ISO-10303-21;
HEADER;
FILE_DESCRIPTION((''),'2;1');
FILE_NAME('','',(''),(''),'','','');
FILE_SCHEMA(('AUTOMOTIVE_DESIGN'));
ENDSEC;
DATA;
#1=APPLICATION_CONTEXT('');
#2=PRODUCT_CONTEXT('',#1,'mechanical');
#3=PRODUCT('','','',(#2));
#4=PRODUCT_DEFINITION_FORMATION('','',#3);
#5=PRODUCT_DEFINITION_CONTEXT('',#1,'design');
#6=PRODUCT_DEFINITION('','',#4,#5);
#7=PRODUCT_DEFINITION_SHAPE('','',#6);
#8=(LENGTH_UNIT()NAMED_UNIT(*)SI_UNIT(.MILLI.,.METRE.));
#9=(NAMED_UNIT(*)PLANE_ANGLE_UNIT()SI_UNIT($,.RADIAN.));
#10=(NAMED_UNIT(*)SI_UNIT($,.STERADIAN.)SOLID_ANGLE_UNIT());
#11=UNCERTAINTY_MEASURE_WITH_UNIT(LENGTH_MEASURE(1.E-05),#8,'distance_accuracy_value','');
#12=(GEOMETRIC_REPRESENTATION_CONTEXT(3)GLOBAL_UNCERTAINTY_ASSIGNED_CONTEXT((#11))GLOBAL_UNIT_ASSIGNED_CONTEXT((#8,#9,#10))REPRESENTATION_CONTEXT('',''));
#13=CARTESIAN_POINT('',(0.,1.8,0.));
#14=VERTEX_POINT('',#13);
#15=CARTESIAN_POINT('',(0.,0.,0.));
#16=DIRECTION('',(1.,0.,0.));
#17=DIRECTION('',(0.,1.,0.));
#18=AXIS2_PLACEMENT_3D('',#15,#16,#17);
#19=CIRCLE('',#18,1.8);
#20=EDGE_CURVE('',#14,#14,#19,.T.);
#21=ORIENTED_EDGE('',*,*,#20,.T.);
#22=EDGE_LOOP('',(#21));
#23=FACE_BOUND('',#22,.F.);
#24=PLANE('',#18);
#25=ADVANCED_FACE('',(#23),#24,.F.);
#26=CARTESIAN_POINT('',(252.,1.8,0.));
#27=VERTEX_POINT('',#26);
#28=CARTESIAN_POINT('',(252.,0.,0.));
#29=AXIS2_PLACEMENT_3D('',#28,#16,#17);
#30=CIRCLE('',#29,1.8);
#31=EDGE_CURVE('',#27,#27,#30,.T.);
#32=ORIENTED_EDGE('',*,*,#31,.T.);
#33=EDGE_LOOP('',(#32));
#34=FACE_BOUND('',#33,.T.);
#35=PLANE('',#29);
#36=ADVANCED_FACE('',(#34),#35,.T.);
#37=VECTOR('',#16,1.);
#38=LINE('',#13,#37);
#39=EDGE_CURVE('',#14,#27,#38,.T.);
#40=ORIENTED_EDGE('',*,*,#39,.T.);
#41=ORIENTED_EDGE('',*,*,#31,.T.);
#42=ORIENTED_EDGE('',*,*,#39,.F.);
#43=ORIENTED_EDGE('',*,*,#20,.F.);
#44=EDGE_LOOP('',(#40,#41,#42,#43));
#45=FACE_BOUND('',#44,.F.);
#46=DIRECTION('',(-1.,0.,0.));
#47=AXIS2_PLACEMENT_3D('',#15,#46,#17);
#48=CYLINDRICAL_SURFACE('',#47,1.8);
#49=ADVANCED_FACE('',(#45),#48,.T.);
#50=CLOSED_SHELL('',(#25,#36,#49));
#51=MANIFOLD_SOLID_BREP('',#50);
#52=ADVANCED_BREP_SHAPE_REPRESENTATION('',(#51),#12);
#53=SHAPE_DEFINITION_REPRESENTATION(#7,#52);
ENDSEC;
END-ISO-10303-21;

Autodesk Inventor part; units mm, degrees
ref_plane "YZ Plane" through (0, 0, 0) normal (1, 0, 0) x (0, 1, 0)
ref_plane "XZ Plane" through (0, 0, 0) normal (0, 1, 0) x (-1, 0, 0)
ref_plane "XY Plane" through (0, 0, 0) normal (0, 0, 1) x (1, 0, 0)
sketch "Sketch1" plane through (0, 0, 0) normal (1, 0, 0) x (0, 1, 0)
  circle A0 centre (0, 0) radius 1.8
  dimension "d0" = 3.6
extrude "Extrusion1" add sketch "Sketch1" along normal blind 252
thread "Thread1" size "M3.5x0.6" class "6g" standard "ISO Metric profile" full length
properties part number "shaftdrive"
